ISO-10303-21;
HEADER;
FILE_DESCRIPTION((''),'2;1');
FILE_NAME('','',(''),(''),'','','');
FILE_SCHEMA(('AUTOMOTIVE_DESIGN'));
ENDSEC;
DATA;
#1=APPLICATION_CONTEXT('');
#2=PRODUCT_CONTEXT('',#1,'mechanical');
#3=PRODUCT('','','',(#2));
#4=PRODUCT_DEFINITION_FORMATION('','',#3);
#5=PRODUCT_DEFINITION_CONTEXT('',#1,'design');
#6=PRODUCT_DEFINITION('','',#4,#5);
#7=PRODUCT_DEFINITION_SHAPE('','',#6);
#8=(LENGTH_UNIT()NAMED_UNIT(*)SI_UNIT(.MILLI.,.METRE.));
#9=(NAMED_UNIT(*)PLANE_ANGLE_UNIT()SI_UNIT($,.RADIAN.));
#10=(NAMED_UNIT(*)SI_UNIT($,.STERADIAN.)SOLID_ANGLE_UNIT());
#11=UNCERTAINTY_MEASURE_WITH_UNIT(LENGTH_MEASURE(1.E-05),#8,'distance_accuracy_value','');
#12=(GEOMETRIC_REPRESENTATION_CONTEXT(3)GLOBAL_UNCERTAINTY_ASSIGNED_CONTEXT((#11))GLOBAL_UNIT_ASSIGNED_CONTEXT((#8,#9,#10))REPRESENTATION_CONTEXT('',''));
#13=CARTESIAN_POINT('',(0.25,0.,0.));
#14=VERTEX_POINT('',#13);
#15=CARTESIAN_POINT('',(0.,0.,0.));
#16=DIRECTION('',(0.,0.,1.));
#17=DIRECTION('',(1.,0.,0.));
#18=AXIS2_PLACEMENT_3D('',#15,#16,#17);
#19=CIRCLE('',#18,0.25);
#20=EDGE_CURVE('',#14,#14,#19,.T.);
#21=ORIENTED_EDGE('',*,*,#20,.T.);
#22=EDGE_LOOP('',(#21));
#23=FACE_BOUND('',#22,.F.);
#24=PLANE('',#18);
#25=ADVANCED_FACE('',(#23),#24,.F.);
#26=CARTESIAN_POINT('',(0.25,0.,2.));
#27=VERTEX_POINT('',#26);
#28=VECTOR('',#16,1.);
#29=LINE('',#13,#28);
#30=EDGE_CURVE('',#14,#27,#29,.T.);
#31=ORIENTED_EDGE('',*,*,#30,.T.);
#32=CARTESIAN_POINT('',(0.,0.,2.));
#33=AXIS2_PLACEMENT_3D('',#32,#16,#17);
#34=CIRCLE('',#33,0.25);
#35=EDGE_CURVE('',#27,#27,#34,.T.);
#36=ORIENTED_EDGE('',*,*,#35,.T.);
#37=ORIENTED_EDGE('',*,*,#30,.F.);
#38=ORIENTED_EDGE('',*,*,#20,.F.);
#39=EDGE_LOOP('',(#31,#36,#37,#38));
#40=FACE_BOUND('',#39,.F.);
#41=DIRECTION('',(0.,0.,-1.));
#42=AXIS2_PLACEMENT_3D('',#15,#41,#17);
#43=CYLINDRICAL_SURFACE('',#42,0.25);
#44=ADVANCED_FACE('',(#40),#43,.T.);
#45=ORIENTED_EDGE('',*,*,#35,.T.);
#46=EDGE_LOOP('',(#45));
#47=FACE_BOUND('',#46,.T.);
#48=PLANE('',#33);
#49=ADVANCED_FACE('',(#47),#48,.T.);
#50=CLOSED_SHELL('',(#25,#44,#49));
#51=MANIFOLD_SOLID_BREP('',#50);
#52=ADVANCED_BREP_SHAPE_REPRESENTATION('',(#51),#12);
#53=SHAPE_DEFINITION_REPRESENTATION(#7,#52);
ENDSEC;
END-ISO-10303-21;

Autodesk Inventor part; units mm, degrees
ref_plane "YZ Plane" through (0, 0, 0) normal (1, 0, 0) x (0, 1, 0)
ref_plane "XZ Plane" through (0, 0, 0) normal (0, 1, 0) x (-1, 0, 0)
ref_plane "XY Plane" through (0, 0, 0) normal (0, 0, 1) x (1, 0, 0)
sketch "Skizze1" plane through (0, 0, 0) normal (0, 0, 1) x (1, 0, 0)
  circle A0 centre (0, 0) radius 0.25
  dimension "d0" = 0.5
extrude "Extrusion1" add sketch "Skizze1" along normal blind 2
properties part number "Transition_Init_1"
